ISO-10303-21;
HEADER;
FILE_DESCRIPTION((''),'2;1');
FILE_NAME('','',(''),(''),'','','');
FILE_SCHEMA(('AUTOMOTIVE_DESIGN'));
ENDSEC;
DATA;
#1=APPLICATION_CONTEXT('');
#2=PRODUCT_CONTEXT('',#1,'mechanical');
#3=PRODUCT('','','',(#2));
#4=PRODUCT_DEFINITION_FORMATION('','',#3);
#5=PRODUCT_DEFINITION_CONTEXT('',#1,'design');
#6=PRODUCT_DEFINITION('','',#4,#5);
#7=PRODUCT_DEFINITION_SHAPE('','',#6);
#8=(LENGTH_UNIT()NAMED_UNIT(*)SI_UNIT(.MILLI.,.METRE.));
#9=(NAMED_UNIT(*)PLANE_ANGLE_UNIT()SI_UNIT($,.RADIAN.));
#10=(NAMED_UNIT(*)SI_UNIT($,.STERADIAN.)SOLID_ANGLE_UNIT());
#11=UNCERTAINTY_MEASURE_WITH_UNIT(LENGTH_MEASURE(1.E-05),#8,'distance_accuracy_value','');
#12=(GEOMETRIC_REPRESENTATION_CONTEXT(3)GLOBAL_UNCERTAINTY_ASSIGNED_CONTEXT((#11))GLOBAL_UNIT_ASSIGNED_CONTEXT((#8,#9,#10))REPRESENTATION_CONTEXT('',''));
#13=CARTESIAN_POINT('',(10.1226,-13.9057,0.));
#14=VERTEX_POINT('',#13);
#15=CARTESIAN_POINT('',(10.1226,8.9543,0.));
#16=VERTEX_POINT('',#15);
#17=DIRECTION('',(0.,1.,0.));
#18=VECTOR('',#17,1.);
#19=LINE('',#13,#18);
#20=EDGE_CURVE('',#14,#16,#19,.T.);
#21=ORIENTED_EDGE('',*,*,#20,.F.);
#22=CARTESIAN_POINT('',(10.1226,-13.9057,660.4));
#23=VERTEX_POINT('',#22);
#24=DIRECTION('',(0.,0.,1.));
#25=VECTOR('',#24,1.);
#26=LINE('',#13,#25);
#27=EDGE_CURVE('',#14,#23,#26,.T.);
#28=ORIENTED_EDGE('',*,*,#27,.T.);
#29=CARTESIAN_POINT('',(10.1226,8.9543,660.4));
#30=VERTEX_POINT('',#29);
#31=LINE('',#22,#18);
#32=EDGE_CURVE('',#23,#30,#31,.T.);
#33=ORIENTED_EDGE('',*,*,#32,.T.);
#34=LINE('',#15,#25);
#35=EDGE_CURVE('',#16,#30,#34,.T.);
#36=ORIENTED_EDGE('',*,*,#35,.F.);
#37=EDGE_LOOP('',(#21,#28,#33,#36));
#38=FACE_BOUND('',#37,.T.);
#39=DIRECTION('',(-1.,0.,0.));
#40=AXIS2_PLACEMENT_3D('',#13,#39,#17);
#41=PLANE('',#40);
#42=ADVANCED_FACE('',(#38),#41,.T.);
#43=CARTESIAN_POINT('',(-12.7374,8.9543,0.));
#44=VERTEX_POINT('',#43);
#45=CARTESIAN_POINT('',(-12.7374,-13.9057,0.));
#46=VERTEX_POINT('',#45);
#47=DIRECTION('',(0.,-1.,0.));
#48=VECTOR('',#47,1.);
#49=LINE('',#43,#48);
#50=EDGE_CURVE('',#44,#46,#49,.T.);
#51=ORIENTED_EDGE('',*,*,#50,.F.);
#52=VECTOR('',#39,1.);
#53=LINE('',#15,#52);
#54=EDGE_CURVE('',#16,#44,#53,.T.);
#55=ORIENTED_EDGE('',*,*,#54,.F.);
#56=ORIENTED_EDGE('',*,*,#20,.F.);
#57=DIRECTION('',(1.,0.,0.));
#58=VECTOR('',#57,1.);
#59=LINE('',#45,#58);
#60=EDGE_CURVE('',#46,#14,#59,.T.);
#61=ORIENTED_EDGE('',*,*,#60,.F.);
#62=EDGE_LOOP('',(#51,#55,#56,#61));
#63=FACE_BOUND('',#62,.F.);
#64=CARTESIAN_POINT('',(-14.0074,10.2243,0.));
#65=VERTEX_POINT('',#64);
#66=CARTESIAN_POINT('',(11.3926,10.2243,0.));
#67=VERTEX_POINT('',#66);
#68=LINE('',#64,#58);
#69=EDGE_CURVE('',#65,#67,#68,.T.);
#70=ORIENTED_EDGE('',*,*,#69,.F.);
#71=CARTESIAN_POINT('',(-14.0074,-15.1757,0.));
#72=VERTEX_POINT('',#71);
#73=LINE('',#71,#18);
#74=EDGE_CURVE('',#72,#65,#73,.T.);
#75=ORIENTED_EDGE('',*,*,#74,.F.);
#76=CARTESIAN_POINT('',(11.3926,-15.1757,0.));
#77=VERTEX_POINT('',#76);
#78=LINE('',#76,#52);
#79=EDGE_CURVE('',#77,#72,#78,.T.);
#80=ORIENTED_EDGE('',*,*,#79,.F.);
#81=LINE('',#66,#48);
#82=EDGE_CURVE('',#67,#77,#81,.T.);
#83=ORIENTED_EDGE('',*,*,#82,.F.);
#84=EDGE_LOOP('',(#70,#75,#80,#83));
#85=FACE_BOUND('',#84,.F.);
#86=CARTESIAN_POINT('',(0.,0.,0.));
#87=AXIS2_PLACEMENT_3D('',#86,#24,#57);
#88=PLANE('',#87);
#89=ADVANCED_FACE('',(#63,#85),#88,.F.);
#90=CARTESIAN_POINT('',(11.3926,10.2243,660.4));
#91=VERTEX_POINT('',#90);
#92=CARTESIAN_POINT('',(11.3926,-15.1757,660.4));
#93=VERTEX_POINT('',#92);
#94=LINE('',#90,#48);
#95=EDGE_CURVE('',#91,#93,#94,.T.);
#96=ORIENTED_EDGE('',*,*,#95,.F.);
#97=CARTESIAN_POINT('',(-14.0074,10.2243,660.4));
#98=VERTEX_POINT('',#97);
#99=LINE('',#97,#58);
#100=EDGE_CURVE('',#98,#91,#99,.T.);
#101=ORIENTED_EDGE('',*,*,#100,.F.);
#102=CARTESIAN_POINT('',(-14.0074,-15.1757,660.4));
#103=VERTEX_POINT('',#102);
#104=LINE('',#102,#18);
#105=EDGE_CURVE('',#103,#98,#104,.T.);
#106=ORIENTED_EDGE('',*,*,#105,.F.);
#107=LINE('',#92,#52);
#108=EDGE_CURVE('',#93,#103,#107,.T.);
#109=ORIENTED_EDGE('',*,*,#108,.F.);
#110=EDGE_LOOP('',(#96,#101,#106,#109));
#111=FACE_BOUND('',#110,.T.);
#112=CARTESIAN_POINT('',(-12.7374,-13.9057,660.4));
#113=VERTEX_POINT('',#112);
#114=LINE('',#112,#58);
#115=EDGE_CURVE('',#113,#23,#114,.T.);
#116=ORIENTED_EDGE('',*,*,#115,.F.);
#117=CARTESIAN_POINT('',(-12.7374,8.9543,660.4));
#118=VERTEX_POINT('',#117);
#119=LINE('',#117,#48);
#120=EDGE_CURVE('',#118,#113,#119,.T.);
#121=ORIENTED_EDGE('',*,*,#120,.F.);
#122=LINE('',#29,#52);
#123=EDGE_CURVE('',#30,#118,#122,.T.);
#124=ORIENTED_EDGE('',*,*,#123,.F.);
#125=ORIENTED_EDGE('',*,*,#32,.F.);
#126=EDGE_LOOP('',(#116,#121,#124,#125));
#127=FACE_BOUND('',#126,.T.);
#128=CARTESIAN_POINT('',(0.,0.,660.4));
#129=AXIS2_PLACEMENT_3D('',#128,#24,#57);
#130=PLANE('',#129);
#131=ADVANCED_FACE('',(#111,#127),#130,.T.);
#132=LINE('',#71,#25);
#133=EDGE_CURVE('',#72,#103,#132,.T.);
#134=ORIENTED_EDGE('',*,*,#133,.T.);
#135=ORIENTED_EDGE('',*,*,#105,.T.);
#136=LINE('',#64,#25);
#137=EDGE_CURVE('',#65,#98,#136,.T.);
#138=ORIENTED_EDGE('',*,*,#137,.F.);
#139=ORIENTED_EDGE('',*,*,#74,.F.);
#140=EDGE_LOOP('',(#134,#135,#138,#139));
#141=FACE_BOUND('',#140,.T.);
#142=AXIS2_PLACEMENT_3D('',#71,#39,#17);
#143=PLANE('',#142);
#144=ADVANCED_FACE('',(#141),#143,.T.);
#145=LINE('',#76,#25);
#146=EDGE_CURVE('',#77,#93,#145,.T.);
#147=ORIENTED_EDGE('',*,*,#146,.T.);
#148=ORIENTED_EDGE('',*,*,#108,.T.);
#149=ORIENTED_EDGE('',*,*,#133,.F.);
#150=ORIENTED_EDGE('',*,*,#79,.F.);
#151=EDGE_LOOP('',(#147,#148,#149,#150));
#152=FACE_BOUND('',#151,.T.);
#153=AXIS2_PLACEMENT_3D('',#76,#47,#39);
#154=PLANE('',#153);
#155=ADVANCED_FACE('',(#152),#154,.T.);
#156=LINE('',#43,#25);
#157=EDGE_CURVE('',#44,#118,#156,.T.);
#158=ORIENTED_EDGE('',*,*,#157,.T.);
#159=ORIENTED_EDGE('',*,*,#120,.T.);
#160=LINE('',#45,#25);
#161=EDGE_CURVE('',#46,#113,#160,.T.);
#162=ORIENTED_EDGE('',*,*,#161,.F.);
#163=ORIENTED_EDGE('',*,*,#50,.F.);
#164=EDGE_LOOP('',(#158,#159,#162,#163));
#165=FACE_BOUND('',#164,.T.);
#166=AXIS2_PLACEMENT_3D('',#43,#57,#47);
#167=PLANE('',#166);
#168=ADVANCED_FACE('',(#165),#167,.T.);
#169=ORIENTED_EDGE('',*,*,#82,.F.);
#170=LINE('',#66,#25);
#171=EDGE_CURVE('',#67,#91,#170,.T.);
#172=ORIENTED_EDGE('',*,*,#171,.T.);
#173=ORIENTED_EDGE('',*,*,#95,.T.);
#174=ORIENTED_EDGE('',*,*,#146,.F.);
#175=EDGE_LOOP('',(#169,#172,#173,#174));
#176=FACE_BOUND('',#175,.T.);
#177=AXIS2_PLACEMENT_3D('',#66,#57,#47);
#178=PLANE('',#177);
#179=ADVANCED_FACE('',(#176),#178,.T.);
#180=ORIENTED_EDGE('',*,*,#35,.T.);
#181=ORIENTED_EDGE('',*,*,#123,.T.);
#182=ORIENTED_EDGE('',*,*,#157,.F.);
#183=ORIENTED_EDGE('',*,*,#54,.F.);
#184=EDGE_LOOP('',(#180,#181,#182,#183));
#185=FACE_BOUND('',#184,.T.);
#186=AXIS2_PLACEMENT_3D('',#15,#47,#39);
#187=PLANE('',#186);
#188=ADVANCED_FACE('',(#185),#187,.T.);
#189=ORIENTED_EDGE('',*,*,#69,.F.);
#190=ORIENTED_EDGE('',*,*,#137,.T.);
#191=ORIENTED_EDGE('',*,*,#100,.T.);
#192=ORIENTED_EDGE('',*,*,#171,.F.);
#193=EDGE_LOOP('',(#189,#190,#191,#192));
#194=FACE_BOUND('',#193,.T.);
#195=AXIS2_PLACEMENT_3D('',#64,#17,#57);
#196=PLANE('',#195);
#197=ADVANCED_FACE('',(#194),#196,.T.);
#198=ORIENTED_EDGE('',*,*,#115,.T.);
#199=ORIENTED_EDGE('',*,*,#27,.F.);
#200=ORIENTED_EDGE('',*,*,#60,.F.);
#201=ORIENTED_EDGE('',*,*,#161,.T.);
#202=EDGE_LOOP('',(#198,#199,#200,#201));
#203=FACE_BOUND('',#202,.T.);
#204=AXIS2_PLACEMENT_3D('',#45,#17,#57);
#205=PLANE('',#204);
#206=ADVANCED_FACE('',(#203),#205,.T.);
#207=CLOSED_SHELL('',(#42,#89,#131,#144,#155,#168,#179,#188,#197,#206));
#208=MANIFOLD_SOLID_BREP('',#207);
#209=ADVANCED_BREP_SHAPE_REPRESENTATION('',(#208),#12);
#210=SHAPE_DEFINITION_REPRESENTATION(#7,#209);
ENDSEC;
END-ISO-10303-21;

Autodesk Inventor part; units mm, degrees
ref_plane "YZ Plane" through (0, 0, 0) normal (1, 0, 0) x (0, 1, 0)
ref_plane "XZ Plane" through (0, 0, 0) normal (0, 1, 0) x (-1, 0, 0)
ref_plane "XY Plane" through (0, 0, 0) normal (0, 0, 1) x (1, 0, 0)
sketch "Sketch1" plane through (0, 0, 0) normal (0, 0, 1) x (1, 0, 0)
  line L0 (-14.0074, 10.2243) -> (11.3926, 10.2243)
  line L1 (11.3926, 10.2243) -> (11.3926, -15.1757)
  line L2 (11.3926, -15.1757) -> (-14.0074, -15.1757)
  line L3 (-14.0074, -15.1757) -> (-14.0074, 10.2243)
  line L4 (10.1226, 8.9543) -> (-12.7374, 8.9543)
  line L5 (-12.7374, 8.9543) -> (-12.7374, -13.9057)
  line L6 (-12.7374, -13.9057) -> (10.1226, -13.9057)
  line L7 (10.1226, -13.9057) -> (10.1226, 8.9543)
  point P0 (0, 0)
  dimension "d0" = 25.4
  dimension "d1" = 1.27
extrude "Extrusion2" add sketch "Sketch1" along normal blind 660.4
equation "\"d4\" = d2"
equation "\"d2\" = 660.4"
properties part number "1x1 Stock 26in"
